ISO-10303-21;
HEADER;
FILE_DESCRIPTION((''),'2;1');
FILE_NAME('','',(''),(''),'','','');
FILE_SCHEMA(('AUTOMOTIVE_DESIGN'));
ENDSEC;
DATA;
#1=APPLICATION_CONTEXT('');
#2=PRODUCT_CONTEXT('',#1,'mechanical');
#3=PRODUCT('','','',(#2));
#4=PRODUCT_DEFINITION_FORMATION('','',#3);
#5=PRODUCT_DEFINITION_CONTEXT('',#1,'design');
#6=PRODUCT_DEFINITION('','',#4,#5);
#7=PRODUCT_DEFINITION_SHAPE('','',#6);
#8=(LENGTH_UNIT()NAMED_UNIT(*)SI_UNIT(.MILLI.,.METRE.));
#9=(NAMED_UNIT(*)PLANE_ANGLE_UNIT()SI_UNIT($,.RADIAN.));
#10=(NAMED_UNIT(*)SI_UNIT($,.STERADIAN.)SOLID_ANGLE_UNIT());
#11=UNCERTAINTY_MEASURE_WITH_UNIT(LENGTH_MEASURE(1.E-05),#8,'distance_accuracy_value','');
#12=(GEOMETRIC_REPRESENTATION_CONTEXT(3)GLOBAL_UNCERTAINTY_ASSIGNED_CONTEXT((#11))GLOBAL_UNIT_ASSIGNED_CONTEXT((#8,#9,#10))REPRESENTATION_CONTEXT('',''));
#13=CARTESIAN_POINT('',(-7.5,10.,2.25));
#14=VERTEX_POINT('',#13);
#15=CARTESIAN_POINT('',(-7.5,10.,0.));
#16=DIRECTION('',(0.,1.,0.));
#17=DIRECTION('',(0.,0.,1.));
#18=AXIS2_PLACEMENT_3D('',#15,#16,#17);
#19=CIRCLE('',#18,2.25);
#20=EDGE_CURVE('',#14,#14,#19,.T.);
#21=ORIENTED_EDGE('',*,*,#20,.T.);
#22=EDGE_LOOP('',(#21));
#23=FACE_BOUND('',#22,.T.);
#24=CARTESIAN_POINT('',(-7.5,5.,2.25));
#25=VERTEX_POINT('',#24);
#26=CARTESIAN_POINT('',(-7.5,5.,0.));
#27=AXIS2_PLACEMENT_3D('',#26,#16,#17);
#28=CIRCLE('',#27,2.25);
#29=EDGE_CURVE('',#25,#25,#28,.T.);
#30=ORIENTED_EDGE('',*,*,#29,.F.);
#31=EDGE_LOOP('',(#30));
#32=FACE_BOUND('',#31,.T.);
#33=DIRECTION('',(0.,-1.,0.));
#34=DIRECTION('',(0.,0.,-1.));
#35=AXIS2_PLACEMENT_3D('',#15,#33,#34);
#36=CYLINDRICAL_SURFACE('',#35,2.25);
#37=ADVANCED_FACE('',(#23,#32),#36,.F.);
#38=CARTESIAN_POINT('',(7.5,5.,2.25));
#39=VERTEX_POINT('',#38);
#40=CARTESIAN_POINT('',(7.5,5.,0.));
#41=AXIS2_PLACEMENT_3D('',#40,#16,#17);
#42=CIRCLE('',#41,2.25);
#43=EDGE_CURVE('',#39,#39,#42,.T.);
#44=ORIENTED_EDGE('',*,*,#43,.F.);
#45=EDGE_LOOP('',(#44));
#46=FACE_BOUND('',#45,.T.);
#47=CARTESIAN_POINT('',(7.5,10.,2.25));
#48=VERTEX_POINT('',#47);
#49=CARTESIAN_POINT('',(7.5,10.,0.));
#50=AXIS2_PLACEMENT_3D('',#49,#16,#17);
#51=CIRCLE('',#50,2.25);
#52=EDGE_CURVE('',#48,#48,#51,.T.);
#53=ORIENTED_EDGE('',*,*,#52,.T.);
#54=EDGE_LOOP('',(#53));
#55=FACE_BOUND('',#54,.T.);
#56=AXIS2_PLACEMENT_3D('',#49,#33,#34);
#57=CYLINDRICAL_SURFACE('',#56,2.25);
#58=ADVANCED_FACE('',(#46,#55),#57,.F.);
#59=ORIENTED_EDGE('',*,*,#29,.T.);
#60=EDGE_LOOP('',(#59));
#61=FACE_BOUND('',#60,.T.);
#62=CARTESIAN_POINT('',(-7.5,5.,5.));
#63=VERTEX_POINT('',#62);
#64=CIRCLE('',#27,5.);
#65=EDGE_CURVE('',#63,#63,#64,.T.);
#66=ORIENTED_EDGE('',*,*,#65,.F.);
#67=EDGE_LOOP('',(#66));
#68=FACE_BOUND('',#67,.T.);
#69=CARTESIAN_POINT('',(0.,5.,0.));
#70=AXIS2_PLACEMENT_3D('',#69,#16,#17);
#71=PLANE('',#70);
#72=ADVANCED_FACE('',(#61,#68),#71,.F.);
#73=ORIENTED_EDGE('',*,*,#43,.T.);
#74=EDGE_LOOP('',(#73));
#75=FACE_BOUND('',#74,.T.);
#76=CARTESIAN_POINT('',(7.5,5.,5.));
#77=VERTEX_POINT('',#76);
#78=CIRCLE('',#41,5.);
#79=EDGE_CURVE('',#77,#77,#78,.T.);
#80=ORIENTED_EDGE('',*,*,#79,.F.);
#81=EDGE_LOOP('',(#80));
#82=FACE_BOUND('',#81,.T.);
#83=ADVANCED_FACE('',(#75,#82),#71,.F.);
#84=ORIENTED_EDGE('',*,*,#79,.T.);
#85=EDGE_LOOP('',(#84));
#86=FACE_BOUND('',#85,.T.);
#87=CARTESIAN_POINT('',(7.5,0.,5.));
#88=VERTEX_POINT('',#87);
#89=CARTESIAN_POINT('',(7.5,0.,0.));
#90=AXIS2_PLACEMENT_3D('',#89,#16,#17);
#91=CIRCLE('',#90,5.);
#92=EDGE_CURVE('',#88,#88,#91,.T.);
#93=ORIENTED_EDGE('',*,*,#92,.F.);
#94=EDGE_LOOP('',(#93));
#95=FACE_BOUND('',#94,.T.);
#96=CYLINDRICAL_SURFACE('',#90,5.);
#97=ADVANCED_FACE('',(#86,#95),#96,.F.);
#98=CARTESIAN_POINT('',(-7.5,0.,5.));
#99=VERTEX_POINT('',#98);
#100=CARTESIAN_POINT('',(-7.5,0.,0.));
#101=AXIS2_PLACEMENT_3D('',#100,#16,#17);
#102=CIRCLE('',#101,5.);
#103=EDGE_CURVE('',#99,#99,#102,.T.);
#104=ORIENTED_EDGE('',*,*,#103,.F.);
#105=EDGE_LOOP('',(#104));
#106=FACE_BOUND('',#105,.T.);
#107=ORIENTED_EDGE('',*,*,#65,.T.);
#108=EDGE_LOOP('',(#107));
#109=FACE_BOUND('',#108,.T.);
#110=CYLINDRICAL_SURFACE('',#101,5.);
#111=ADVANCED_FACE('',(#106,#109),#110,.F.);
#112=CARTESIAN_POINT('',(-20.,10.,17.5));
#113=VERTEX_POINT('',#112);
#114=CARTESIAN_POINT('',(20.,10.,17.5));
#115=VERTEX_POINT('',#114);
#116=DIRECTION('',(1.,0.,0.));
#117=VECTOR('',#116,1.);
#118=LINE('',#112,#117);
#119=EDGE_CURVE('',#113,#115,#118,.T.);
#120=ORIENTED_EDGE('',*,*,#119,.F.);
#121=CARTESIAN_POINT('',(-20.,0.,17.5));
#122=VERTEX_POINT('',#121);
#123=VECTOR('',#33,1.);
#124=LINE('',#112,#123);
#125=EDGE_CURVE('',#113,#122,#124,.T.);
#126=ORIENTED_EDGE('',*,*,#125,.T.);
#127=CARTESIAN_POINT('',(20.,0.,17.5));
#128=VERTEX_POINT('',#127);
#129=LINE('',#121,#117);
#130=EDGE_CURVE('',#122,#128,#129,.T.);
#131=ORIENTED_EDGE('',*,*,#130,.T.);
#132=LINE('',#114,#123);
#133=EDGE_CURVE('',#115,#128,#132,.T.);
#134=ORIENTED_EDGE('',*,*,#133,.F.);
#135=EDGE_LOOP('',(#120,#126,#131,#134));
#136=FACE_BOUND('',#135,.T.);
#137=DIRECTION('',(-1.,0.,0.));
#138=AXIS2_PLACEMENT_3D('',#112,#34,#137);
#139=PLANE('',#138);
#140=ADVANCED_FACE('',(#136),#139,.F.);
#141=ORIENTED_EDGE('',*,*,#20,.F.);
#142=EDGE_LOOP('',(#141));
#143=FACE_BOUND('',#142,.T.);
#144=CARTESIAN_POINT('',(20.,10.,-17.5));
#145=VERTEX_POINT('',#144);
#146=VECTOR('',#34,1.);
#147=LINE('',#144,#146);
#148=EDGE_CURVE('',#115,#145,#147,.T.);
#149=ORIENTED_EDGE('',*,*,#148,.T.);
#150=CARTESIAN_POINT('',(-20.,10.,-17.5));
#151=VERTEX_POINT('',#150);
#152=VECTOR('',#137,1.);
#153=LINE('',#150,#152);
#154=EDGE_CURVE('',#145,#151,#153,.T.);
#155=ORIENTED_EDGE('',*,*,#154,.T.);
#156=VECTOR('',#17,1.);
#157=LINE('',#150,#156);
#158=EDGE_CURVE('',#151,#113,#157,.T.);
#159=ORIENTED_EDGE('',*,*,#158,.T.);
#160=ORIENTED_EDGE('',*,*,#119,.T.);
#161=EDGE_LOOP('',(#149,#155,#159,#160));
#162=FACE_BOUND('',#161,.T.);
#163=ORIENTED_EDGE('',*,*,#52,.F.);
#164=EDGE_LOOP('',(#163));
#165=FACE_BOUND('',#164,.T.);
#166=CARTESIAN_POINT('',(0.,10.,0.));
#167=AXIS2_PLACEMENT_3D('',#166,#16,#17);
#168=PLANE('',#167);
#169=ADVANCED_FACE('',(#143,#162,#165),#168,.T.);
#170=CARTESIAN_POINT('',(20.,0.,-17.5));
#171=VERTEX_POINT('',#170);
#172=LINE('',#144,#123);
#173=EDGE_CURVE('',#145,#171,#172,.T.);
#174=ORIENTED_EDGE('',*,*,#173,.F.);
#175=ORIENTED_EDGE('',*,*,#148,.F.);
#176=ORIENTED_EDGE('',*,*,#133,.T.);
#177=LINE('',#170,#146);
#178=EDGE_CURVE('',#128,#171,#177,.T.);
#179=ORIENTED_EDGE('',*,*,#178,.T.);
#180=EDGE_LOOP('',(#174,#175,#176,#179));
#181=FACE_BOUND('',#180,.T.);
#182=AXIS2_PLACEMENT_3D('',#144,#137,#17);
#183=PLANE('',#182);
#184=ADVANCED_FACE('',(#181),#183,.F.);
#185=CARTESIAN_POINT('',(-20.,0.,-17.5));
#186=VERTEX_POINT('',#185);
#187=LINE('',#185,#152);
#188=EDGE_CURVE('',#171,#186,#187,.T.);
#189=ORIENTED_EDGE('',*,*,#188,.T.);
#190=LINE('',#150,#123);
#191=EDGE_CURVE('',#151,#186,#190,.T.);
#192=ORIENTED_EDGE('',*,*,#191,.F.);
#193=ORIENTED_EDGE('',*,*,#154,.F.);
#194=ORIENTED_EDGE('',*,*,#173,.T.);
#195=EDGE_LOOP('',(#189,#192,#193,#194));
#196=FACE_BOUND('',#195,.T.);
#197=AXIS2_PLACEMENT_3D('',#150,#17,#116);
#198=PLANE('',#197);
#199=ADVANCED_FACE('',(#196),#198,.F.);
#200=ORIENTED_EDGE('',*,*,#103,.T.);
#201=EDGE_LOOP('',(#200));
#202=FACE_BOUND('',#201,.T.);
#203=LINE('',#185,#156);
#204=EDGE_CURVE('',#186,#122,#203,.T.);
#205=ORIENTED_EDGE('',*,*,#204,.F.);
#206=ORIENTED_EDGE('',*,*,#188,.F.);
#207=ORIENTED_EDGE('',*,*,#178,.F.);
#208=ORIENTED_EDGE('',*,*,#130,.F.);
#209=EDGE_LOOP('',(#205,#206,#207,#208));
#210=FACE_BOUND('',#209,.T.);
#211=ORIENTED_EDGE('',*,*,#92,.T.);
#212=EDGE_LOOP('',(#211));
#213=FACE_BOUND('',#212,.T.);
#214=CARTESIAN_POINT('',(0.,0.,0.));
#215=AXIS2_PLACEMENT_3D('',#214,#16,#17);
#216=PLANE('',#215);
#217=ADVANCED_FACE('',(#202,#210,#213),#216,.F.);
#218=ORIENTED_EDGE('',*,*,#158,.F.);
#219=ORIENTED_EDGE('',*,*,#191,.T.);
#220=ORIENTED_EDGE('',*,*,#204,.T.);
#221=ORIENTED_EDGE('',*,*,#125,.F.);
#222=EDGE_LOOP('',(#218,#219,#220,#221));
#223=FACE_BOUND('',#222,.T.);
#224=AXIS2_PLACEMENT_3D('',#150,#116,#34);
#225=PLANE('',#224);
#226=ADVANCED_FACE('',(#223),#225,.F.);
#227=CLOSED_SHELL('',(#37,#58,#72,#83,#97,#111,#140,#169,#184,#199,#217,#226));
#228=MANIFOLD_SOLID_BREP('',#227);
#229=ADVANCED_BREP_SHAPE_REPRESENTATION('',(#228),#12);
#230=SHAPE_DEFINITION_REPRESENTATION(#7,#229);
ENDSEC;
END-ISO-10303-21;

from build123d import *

# Parameters (mm, degrees)
SKETCH1_W           = 40
SKETCH1_H           = 35
BOSS_EXTRUDE1_DEPTH = 10
F_3DSKETCH1_R       = 2.25
CUT_EXTRUDE1_DEPTH  = 5
F_3DSKETCH2_R       = 5
CUT_EXTRUDE2_DEPTH  = 5


with BuildPart() as part:
    # Sketch1 → Boss-Extrude1 (new body)
    with BuildSketch(Plane(origin=(0, 0, 0), x_dir=(1, 0, 0), z_dir=(0, 1, 0))):
        Rectangle(SKETCH1_W, SKETCH1_H)
    extrude(amount=BOSS_EXTRUDE1_DEPTH)

    # 3DSketch1 → Cut-Extrude1 (cut)
    with BuildSketch(Plane(origin=(-7.5, 10, 0), x_dir=(1, 0, 0), z_dir=(0, -1, 0))):
        with Locations(Location((0, 0, 0), (0, 0, 90))):
            Circle(F_3DSKETCH1_R)
        with Locations(Location((15, 0, 0), (0, 0, 90))):
            Circle(F_3DSKETCH1_R)
    extrude(amount=CUT_EXTRUDE1_DEPTH, mode=Mode.SUBTRACT)

    # 3DSketch2 → Cut-Extrude2 (cut)
    with BuildSketch(Plane(origin=(-7.5, 0, 0), x_dir=(1, 0, 0), z_dir=(0, -1, 0))):
        with Locations(Location((0, 0, 0), (0, 0, 90))):
            Circle(F_3DSKETCH2_R)
        with Locations(Location((15, 0, 0), (0, 0, 90))):
            Circle(F_3DSKETCH2_R)
    extrude(amount=-CUT_EXTRUDE2_DEPTH, mode=Mode.SUBTRACT)


solid = part.part
